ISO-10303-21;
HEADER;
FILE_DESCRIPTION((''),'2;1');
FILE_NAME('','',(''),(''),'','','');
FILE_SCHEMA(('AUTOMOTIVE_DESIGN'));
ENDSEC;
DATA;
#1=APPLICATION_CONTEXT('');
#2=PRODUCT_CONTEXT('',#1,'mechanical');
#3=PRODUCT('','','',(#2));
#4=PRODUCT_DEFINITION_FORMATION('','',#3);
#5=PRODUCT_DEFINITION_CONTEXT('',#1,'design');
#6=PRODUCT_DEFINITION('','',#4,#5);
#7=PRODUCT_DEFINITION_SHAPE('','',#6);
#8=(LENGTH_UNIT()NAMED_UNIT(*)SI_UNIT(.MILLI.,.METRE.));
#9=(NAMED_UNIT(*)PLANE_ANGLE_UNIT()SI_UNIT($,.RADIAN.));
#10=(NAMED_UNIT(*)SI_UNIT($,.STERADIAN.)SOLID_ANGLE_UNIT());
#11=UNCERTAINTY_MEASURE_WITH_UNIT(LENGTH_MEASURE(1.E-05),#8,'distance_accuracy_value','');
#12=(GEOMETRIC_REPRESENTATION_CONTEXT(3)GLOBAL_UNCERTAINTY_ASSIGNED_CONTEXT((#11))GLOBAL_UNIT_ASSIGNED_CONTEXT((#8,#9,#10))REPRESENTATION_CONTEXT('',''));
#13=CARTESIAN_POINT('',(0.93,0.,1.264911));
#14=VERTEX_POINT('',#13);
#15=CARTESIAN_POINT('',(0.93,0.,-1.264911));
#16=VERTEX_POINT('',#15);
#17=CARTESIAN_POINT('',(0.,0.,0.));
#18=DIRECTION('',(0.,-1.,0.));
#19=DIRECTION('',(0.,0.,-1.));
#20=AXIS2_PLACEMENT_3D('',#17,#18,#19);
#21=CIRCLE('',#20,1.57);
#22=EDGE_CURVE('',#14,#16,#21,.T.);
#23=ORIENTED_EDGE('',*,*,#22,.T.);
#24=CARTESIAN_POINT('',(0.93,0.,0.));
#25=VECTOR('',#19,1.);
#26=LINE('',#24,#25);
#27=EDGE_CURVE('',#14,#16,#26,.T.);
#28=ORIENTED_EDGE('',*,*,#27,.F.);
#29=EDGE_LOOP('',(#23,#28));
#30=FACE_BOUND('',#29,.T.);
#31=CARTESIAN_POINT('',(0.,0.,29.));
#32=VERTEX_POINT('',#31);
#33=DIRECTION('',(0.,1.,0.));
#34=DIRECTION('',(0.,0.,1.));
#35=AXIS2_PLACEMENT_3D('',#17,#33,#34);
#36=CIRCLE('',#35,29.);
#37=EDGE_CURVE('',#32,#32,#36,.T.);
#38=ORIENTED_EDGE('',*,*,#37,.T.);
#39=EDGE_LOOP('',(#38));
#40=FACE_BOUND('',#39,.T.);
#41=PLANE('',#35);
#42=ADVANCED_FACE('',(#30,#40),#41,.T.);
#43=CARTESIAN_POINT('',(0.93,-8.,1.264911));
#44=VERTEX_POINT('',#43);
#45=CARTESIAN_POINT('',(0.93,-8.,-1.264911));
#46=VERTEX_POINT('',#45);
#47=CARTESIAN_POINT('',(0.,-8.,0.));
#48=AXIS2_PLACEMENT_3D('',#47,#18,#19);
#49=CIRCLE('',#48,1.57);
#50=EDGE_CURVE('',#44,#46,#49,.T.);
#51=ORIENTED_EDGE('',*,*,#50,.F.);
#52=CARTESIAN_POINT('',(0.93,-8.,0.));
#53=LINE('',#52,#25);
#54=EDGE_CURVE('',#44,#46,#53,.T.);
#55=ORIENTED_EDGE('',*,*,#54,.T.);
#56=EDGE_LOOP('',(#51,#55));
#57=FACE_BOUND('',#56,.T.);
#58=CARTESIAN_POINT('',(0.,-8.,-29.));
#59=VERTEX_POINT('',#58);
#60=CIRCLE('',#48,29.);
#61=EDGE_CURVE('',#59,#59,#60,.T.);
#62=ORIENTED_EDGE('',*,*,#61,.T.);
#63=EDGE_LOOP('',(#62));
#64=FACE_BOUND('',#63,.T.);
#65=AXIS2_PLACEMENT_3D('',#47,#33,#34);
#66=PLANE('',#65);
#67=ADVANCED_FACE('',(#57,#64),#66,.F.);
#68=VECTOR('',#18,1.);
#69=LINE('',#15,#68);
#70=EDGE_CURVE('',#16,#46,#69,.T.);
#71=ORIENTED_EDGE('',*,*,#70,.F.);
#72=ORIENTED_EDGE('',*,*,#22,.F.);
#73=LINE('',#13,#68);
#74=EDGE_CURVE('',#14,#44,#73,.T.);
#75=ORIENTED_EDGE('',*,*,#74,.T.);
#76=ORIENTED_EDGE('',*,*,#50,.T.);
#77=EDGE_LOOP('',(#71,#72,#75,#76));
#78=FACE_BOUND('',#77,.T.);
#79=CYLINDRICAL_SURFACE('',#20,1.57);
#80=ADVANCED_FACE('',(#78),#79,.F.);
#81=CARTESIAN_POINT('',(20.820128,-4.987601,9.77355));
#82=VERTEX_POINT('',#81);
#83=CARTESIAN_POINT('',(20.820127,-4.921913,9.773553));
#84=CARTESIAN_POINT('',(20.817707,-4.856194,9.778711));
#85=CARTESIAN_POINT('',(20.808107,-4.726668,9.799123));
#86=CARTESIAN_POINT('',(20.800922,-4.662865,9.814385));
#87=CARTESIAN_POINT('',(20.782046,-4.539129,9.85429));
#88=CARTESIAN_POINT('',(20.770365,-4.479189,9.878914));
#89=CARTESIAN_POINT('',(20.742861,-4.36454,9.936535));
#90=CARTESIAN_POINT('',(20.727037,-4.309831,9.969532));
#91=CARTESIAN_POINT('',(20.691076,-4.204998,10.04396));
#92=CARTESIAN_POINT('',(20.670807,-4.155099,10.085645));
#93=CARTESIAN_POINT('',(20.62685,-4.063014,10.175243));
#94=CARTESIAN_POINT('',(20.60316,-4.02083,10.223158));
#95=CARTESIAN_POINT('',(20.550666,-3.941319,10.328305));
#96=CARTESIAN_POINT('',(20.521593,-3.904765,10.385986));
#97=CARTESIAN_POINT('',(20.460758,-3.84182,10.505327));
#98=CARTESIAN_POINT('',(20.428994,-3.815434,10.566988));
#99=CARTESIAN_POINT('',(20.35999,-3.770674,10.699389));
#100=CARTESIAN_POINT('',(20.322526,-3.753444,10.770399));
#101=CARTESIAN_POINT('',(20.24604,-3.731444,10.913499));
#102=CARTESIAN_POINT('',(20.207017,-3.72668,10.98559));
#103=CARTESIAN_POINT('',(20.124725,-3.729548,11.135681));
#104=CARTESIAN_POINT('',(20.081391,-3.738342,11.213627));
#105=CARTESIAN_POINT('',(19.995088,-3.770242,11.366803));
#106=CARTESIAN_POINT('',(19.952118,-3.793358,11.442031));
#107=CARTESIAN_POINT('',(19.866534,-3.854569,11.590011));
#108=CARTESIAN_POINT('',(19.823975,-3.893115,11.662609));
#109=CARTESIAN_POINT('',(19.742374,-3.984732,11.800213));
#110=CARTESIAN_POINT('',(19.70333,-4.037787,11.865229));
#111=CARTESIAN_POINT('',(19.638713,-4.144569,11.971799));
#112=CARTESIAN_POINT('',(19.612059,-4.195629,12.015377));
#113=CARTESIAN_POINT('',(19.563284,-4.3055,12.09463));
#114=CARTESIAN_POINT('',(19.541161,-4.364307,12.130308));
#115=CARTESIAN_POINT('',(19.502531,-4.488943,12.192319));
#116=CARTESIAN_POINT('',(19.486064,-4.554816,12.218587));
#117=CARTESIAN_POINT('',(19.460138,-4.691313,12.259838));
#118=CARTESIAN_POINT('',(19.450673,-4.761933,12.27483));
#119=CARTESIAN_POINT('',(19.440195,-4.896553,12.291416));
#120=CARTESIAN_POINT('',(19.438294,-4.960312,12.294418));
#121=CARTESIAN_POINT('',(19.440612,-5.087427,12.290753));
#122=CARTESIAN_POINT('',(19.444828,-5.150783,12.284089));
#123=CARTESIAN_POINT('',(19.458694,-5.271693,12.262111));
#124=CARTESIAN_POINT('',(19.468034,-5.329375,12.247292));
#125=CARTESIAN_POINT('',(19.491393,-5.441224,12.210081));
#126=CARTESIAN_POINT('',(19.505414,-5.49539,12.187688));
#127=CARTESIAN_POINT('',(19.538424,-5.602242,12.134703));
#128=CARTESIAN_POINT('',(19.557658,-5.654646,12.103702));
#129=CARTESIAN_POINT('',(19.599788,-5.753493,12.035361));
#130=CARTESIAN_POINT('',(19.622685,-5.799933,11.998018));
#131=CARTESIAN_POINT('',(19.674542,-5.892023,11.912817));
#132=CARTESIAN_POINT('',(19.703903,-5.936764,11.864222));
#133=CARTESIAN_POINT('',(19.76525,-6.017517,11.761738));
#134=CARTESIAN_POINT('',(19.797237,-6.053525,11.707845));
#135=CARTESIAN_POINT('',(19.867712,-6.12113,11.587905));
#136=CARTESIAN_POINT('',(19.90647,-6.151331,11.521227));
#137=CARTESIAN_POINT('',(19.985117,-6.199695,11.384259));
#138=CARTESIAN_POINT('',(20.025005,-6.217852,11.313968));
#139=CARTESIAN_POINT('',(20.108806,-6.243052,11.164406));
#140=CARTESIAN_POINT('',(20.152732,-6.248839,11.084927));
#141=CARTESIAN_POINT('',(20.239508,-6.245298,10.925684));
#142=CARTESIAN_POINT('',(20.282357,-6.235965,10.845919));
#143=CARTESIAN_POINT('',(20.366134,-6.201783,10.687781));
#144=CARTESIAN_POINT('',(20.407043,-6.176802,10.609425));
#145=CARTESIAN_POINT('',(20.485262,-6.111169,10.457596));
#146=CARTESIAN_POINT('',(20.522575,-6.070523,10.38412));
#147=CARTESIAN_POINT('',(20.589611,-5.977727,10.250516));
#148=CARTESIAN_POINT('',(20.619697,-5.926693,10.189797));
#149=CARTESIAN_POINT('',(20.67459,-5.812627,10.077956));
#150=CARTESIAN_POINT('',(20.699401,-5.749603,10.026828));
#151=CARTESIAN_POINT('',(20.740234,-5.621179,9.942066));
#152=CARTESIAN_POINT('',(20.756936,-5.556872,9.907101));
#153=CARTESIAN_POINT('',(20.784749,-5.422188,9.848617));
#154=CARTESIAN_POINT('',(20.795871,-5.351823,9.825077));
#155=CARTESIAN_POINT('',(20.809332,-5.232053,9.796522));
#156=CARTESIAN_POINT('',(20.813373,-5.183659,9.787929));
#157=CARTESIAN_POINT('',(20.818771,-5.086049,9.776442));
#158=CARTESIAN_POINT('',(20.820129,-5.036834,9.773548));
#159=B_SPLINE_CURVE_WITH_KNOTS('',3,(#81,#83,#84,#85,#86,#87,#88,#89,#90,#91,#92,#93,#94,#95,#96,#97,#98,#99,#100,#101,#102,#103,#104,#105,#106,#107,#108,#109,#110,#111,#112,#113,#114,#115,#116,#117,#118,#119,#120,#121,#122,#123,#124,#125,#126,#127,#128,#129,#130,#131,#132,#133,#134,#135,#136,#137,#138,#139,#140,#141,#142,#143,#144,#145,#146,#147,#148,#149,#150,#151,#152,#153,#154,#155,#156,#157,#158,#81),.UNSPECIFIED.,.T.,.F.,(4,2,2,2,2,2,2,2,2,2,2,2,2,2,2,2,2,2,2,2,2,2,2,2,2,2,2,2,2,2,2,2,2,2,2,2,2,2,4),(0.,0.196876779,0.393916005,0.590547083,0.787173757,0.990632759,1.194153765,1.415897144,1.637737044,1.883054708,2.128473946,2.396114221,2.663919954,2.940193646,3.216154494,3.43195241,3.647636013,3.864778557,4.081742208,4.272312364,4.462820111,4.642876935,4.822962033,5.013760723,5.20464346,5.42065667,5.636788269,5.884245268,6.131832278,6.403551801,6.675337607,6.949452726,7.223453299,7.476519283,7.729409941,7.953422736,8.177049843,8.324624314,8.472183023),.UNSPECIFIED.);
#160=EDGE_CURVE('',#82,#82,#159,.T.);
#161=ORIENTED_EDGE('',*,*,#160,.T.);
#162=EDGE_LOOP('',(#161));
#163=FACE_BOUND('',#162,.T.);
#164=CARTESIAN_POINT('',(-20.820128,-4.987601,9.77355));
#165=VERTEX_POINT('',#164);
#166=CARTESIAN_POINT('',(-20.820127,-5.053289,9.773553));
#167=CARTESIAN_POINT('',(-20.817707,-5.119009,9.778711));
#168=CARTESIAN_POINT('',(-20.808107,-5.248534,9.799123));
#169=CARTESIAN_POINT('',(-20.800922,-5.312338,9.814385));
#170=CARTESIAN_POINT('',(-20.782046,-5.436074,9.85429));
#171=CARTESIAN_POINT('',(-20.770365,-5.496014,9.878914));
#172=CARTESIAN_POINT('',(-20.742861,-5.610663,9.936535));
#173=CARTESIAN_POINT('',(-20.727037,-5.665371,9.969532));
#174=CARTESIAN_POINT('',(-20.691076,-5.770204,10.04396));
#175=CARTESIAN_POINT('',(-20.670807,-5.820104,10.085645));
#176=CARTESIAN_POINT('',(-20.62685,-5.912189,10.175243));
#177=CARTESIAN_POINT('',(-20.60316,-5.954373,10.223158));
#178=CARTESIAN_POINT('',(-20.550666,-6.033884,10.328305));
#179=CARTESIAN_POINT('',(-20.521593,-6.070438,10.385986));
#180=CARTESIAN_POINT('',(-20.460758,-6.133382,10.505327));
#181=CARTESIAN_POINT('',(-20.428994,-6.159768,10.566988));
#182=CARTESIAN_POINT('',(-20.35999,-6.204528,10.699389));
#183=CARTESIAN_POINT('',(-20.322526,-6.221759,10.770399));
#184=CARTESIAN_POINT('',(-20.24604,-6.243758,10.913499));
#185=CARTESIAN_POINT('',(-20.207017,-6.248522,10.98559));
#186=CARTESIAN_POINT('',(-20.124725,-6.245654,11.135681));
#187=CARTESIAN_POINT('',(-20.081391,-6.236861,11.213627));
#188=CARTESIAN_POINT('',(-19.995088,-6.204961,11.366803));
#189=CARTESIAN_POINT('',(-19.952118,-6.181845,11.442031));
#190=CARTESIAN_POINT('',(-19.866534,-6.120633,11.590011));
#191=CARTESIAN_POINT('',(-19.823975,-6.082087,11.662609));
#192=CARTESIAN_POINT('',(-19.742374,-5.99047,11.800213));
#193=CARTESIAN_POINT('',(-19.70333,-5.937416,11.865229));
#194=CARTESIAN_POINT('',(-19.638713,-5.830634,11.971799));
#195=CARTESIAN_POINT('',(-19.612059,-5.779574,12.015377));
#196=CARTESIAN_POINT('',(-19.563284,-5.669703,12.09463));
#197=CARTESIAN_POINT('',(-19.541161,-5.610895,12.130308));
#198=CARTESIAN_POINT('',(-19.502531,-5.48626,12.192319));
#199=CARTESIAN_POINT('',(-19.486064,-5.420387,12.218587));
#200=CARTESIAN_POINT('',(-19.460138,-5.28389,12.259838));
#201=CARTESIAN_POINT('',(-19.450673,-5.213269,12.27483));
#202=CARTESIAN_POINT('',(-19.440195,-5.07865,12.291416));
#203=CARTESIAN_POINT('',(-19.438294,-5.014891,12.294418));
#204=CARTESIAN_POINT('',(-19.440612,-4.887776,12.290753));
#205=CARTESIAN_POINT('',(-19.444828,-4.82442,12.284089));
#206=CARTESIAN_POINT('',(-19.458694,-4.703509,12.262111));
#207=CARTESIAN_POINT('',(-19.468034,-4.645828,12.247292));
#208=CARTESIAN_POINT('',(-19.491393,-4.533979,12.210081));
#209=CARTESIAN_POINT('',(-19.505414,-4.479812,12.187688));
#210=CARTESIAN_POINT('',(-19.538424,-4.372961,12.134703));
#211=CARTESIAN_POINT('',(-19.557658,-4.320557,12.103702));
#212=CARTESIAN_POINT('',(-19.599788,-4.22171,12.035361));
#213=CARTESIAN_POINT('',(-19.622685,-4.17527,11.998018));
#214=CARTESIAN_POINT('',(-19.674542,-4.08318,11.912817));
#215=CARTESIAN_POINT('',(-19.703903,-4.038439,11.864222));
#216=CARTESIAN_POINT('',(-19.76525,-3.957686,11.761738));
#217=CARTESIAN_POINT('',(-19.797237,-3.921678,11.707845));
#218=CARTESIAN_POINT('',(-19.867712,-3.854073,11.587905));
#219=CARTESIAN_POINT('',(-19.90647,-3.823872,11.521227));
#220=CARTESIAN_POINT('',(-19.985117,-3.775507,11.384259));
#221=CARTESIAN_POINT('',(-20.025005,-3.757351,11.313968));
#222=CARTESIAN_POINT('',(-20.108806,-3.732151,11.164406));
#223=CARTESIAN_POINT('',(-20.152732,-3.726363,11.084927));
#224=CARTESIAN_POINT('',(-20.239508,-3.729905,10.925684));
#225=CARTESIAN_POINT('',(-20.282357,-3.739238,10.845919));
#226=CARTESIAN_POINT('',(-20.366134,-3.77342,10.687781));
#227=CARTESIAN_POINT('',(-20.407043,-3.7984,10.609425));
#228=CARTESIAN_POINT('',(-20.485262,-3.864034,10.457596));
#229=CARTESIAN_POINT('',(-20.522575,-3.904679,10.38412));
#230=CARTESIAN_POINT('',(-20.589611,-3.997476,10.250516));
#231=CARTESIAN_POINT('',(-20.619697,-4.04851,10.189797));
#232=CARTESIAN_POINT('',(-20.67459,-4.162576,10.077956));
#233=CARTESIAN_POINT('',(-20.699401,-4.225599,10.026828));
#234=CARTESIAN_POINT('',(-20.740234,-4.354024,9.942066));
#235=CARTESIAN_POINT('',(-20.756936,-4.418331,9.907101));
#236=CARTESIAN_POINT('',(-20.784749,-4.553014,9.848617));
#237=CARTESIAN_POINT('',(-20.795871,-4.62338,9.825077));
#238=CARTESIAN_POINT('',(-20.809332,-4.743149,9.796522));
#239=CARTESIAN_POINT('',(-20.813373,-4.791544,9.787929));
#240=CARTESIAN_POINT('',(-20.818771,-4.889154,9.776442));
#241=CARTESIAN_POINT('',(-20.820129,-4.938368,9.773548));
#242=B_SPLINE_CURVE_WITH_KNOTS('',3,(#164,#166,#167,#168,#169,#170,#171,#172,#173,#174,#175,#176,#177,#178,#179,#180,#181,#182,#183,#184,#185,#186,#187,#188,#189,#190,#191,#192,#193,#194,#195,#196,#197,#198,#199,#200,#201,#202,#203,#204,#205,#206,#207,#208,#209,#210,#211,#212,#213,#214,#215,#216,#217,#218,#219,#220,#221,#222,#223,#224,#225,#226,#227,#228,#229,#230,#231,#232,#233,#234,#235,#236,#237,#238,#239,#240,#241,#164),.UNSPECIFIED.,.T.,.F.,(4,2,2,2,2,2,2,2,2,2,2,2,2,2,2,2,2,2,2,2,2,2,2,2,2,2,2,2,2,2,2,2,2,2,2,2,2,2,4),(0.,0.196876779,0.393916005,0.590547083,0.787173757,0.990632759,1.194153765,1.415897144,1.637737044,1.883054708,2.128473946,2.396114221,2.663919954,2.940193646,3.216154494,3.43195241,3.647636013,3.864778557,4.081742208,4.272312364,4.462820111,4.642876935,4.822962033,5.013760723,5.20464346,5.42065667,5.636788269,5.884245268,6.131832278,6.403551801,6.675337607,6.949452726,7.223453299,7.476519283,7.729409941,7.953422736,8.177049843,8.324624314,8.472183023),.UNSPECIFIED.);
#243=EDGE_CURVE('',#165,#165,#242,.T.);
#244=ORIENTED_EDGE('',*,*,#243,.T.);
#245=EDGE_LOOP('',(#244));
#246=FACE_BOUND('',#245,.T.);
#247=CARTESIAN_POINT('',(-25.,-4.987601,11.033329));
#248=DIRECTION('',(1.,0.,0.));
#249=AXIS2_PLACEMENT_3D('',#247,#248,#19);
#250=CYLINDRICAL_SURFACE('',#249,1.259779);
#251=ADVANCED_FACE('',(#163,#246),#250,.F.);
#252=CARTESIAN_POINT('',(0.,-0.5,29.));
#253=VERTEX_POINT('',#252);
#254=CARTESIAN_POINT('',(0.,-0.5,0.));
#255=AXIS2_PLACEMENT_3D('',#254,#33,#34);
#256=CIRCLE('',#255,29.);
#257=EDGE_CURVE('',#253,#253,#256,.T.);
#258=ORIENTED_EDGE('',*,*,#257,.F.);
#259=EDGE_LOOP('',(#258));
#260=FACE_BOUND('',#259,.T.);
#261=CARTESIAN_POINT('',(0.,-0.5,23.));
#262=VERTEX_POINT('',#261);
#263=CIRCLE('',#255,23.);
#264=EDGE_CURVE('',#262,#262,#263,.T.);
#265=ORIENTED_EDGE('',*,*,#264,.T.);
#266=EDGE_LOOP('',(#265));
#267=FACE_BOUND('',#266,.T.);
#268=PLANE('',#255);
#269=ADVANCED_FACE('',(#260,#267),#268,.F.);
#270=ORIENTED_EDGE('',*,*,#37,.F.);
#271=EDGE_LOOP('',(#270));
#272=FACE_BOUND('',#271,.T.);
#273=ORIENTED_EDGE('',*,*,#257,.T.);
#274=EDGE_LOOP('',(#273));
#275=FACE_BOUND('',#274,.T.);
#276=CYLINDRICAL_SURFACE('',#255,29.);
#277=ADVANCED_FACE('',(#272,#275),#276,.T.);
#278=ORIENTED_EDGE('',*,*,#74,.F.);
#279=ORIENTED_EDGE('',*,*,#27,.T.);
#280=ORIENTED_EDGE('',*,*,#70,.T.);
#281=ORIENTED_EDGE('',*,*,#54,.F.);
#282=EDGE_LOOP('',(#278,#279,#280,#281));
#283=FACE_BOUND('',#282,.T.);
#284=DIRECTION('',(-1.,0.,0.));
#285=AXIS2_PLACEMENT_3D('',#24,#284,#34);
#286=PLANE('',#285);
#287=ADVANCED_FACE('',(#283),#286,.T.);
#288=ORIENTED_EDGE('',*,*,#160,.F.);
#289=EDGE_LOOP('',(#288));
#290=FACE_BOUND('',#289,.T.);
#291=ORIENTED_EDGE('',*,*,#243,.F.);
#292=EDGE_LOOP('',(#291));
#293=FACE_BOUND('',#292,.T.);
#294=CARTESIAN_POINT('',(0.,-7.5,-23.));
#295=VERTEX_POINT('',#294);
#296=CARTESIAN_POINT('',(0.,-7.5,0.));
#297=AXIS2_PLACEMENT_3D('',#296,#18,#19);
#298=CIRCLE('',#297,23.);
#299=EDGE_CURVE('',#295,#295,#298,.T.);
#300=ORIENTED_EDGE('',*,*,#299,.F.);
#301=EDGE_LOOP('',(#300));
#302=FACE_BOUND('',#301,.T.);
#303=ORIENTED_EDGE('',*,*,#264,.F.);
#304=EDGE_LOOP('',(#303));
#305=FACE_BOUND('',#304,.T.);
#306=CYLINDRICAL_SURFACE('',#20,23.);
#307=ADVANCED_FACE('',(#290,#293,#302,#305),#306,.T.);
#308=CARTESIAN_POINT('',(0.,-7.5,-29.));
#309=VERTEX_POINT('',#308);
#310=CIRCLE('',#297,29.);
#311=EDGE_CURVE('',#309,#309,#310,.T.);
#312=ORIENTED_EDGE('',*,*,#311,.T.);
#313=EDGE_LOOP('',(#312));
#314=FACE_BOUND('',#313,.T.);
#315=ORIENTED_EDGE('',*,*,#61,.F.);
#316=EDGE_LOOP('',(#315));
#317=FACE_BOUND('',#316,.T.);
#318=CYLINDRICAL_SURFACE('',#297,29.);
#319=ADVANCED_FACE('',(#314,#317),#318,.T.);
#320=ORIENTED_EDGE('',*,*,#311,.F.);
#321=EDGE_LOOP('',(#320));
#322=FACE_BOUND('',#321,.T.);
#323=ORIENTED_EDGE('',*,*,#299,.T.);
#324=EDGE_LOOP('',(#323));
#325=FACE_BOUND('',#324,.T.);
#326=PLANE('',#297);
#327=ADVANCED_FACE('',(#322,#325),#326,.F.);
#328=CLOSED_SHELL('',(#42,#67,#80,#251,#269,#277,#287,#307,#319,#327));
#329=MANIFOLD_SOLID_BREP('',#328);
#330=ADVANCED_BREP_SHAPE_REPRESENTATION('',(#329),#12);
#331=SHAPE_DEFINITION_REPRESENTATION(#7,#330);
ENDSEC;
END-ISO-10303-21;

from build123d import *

# Parameters (mm, degrees)
SKETCH_1_R          = 9
EXTRUDE_1_DEPTH     = 8
CUT_EXTRUDE_1_DEPTH = 16.033296378
EXTRUDE_START       = -8
SKETCH_7_R          = 23
SKETCH_7_R_2        = 9
EXTRUDE_2_DEPTH     = 8
SKETCH_8_R          = 29
SKETCH_8_R_2        = 23
EXTRUDE_3_DEPTH     = 0.5
EXTRUDE_START_2     = -0.5
SKETCH_9_R          = 29
SKETCH_9_R_2        = 23
EXTRUDE_4_DEPTH     = 0.5
SKETCH_10_R         = 1.25977889
CUT_EXTRUDE_2_DEPTH = 25


with BuildPart() as part:
    # 草圖1 → 填料-伸長1 (new body)
    with BuildSketch(Plane(origin=(0, 0, 0), x_dir=(1, 0, 0), z_dir=(0, 1, 0))):
        with Locations(Location((0, 0, 0), (0, 0, 270))):
            Circle(SKETCH_1_R)
    extrude(amount=-EXTRUDE_1_DEPTH)

    # 草圖2 → 除料-伸長1 (cut, through all)
    with BuildSketch(Plane(origin=(0, -8, 0), x_dir=(-1, 0, 0), z_dir=(0, -1, 0))):
        with BuildLine():
            Line((-0.93, 1.264911064), (-0.93, -1.264911064))
            ThreePointArc((-0.93, -1.264911064), (0.708801806, -1.400892573), (1.57, 0))
            ThreePointArc((1.57, 0), (0.708801806, 1.400892573), (-0.93, 1.264911064))
        make_face()
    extrude(amount=-CUT_EXTRUDE_1_DEPTH, mode=Mode.SUBTRACT)

    # 草圖7 → 填料-伸長2 (add)
    with BuildSketch(Plane(origin=(0, -8, 0), x_dir=(-1, 0, 0), z_dir=(0, -1, 0)).offset(EXTRUDE_START)):
        with Locations(Location((0, 0, 0), (0, 0, 90))):
            Circle(SKETCH_7_R)
        Circle(SKETCH_7_R_2, mode=Mode.SUBTRACT)
    extrude(amount=EXTRUDE_2_DEPTH)

    # 草圖8 → 填料-伸長3 (add)
    with BuildSketch(Plane(origin=(0, 0, 0), x_dir=(1, 0, 0), z_dir=(0, 1, 0))):
        with Locations(Location((0, 0, 0), (0, 0, 270))):
            Circle(SKETCH_8_R)
        with Locations(Location((0, 0, 0), (0, 0, 90))):
            Circle(SKETCH_8_R_2, mode=Mode.SUBTRACT)
    extrude(amount=-EXTRUDE_3_DEPTH)

    # 草圖9 → 填料-伸長4 (add)
    with BuildSketch(Plane.XZ.offset(8).offset(EXTRUDE_START_2)):
        with Locations(Location((0, 0, 0), (0, 0, 90))):
            Circle(SKETCH_9_R)
        with Locations(Location((0, 0, 0), (0, 0, 270))):
            Circle(SKETCH_9_R_2, mode=Mode.SUBTRACT)
    extrude(amount=EXTRUDE_4_DEPTH)

    # 草圖10 → 除料-伸長2 (cut, symmetric)
    with BuildSketch(Plane(origin=(0, 0, 0), x_dir=(0, 0, -1), z_dir=(1, 0, 0))):
        with Locations((-11.0333289, -4.987601344)):
            Circle(SKETCH_10_R)
    extrude(amount=CUT_EXTRUDE_2_DEPTH, both=True, mode=Mode.SUBTRACT)


solid = part.part
